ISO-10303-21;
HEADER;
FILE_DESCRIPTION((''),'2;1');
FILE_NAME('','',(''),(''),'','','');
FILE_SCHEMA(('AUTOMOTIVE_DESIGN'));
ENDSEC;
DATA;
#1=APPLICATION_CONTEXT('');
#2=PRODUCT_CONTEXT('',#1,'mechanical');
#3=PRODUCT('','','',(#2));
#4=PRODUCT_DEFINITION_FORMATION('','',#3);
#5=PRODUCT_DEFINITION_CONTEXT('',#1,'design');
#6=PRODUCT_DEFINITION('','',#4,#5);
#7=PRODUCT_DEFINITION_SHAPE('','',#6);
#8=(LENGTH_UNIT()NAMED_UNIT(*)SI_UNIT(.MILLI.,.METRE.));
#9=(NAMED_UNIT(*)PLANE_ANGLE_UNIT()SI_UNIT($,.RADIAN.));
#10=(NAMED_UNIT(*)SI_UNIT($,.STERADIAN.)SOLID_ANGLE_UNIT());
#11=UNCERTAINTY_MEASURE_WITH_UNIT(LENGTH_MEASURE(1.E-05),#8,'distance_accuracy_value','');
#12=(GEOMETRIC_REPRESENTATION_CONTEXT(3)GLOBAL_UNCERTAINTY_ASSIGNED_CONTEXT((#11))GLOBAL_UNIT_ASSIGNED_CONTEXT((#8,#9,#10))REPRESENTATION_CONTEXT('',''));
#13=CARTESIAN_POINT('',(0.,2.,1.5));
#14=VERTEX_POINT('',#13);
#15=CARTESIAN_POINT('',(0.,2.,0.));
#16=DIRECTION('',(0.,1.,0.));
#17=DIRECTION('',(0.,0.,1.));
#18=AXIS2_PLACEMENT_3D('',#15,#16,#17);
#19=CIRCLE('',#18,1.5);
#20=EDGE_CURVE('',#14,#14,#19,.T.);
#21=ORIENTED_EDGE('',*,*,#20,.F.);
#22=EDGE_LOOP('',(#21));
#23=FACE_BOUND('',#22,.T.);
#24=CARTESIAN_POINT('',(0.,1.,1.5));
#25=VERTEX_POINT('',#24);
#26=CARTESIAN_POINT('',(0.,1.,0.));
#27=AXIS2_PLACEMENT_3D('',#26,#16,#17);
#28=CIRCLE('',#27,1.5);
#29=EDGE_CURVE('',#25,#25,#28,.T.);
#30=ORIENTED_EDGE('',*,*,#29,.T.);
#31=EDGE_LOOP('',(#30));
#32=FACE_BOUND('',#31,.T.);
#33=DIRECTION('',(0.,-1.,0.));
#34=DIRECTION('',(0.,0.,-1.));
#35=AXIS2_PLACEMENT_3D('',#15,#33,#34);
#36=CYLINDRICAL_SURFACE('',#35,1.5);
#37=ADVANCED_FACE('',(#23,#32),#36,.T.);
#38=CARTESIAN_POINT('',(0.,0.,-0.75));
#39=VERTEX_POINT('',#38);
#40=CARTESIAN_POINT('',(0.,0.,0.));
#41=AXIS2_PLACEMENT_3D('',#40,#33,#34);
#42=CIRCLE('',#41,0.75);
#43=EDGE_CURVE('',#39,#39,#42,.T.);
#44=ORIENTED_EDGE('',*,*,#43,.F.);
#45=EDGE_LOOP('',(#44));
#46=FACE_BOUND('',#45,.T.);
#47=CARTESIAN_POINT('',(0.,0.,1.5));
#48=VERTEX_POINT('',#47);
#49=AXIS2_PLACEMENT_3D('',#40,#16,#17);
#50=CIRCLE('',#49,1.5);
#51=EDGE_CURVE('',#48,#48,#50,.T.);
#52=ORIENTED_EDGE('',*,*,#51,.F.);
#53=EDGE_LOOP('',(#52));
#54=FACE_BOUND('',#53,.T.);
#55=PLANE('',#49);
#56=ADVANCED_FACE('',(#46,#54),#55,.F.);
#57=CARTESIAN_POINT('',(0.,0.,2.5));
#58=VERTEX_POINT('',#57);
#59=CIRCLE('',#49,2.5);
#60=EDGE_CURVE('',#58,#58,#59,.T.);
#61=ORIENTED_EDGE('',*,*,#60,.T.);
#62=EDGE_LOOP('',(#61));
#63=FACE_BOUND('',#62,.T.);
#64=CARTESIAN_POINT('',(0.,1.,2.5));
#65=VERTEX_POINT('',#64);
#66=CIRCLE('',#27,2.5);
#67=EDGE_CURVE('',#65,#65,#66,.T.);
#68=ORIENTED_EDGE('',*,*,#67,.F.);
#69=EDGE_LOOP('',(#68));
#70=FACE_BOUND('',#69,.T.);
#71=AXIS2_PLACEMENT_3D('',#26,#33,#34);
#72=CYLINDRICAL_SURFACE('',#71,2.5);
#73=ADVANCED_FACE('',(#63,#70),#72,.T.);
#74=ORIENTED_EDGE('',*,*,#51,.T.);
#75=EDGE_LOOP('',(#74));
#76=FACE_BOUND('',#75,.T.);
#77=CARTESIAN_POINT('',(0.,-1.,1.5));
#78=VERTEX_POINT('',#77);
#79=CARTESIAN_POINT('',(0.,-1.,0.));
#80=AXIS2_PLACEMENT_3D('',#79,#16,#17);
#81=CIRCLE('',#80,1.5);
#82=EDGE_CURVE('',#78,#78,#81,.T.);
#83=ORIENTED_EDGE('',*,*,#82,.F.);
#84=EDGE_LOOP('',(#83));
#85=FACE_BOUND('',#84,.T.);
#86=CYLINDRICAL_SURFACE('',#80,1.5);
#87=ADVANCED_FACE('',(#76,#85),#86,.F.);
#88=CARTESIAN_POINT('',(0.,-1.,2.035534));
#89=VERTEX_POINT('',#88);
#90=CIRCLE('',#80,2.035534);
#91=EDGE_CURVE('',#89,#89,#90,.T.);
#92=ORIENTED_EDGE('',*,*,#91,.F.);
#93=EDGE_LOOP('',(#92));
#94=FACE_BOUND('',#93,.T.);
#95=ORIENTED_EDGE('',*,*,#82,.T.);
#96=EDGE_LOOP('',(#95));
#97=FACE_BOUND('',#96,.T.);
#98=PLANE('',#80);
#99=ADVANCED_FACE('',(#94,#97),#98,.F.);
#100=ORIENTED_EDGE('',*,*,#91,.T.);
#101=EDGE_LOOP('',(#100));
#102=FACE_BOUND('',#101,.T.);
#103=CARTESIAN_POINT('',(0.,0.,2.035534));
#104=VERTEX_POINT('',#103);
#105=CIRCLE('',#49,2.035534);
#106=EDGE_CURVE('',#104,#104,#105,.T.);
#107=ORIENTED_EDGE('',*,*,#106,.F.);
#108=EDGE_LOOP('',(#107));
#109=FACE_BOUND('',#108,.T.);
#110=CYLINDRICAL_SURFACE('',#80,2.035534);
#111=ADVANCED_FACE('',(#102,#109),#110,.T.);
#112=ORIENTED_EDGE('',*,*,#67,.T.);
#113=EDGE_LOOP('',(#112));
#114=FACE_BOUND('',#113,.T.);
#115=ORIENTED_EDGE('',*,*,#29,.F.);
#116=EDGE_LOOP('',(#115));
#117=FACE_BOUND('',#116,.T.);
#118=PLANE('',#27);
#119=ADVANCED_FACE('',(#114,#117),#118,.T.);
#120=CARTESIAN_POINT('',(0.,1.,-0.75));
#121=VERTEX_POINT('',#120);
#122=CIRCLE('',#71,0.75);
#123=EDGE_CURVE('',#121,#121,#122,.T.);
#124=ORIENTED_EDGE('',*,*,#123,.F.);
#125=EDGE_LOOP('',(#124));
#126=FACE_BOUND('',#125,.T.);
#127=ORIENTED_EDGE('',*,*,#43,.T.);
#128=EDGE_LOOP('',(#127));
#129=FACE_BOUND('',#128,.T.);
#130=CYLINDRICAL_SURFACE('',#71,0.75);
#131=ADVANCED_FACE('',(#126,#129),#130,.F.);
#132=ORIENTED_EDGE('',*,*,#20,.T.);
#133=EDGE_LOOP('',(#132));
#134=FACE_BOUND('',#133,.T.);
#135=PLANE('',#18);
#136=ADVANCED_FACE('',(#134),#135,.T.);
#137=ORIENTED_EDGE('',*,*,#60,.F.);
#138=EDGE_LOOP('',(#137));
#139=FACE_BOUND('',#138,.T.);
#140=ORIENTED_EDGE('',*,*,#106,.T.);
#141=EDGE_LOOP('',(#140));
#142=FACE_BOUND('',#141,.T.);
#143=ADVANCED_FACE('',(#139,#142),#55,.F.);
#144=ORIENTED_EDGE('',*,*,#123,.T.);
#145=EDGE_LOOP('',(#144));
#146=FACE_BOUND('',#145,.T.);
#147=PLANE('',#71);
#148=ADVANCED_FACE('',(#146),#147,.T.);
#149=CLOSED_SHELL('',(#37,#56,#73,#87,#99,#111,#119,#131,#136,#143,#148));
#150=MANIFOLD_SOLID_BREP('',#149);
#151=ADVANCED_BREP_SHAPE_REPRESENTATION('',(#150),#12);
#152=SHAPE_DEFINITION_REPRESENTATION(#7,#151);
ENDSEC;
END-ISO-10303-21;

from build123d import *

# Parameters (mm, degrees)
SKETCH1_R           = 1.5
BOSS_EXTRUDE1_DEPTH = 2
SKETCH1_3_R         = 2.035533906
SKETCH1_3_R_2       = 1.5
BOSS_EXTRUDE2_DEPTH = 1
SKETCH1_4_R         = 2.5
BOSS_EXTRUDE3_DEPTH = 1
SKETCH2_R           = 0.75
CUT_EXTRUDE1_DEPTH  = 1


with BuildPart() as part:
    # Sketch1 → Boss-Extrude1 (new body)
    with BuildSketch(Plane(origin=(0, 0, 0), x_dir=(1, 0, 0), z_dir=(0, 1, 0))):
        Circle(SKETCH1_R)
    extrude(amount=BOSS_EXTRUDE1_DEPTH)



with BuildPart() as body_2:
    # Sketch1<3> → Boss-Extrude2 (new body)
    with BuildSketch(Plane(origin=(0, 0, 0), x_dir=(1, 0, 0), z_dir=(0, 1, 0))):
        Circle(SKETCH1_3_R)
        Circle(SKETCH1_3_R_2, mode=Mode.SUBTRACT)
    extrude(amount=-BOSS_EXTRUDE2_DEPTH)


with BuildPart() as part_1:
    add(part.part)

    add(body_2.part)  # Boss-Extrude3 merges body 2
    # Sketch1<4> → Boss-Extrude3 (add)
    with BuildSketch(Plane(origin=(0, 0, 0), x_dir=(1, 0, 0), z_dir=(0, 1, 0))):
        Circle(SKETCH1_4_R)
    extrude(amount=BOSS_EXTRUDE3_DEPTH)

    # Sketch2 → Cut-Extrude1 (cut)
    with BuildSketch(Plane(origin=(0, 0, 0), x_dir=(-1, 0, 0), z_dir=(0, -1, 0))):
        Circle(SKETCH2_R)
    extrude(amount=-CUT_EXTRUDE1_DEPTH, mode=Mode.SUBTRACT)


solid = part_1.part
